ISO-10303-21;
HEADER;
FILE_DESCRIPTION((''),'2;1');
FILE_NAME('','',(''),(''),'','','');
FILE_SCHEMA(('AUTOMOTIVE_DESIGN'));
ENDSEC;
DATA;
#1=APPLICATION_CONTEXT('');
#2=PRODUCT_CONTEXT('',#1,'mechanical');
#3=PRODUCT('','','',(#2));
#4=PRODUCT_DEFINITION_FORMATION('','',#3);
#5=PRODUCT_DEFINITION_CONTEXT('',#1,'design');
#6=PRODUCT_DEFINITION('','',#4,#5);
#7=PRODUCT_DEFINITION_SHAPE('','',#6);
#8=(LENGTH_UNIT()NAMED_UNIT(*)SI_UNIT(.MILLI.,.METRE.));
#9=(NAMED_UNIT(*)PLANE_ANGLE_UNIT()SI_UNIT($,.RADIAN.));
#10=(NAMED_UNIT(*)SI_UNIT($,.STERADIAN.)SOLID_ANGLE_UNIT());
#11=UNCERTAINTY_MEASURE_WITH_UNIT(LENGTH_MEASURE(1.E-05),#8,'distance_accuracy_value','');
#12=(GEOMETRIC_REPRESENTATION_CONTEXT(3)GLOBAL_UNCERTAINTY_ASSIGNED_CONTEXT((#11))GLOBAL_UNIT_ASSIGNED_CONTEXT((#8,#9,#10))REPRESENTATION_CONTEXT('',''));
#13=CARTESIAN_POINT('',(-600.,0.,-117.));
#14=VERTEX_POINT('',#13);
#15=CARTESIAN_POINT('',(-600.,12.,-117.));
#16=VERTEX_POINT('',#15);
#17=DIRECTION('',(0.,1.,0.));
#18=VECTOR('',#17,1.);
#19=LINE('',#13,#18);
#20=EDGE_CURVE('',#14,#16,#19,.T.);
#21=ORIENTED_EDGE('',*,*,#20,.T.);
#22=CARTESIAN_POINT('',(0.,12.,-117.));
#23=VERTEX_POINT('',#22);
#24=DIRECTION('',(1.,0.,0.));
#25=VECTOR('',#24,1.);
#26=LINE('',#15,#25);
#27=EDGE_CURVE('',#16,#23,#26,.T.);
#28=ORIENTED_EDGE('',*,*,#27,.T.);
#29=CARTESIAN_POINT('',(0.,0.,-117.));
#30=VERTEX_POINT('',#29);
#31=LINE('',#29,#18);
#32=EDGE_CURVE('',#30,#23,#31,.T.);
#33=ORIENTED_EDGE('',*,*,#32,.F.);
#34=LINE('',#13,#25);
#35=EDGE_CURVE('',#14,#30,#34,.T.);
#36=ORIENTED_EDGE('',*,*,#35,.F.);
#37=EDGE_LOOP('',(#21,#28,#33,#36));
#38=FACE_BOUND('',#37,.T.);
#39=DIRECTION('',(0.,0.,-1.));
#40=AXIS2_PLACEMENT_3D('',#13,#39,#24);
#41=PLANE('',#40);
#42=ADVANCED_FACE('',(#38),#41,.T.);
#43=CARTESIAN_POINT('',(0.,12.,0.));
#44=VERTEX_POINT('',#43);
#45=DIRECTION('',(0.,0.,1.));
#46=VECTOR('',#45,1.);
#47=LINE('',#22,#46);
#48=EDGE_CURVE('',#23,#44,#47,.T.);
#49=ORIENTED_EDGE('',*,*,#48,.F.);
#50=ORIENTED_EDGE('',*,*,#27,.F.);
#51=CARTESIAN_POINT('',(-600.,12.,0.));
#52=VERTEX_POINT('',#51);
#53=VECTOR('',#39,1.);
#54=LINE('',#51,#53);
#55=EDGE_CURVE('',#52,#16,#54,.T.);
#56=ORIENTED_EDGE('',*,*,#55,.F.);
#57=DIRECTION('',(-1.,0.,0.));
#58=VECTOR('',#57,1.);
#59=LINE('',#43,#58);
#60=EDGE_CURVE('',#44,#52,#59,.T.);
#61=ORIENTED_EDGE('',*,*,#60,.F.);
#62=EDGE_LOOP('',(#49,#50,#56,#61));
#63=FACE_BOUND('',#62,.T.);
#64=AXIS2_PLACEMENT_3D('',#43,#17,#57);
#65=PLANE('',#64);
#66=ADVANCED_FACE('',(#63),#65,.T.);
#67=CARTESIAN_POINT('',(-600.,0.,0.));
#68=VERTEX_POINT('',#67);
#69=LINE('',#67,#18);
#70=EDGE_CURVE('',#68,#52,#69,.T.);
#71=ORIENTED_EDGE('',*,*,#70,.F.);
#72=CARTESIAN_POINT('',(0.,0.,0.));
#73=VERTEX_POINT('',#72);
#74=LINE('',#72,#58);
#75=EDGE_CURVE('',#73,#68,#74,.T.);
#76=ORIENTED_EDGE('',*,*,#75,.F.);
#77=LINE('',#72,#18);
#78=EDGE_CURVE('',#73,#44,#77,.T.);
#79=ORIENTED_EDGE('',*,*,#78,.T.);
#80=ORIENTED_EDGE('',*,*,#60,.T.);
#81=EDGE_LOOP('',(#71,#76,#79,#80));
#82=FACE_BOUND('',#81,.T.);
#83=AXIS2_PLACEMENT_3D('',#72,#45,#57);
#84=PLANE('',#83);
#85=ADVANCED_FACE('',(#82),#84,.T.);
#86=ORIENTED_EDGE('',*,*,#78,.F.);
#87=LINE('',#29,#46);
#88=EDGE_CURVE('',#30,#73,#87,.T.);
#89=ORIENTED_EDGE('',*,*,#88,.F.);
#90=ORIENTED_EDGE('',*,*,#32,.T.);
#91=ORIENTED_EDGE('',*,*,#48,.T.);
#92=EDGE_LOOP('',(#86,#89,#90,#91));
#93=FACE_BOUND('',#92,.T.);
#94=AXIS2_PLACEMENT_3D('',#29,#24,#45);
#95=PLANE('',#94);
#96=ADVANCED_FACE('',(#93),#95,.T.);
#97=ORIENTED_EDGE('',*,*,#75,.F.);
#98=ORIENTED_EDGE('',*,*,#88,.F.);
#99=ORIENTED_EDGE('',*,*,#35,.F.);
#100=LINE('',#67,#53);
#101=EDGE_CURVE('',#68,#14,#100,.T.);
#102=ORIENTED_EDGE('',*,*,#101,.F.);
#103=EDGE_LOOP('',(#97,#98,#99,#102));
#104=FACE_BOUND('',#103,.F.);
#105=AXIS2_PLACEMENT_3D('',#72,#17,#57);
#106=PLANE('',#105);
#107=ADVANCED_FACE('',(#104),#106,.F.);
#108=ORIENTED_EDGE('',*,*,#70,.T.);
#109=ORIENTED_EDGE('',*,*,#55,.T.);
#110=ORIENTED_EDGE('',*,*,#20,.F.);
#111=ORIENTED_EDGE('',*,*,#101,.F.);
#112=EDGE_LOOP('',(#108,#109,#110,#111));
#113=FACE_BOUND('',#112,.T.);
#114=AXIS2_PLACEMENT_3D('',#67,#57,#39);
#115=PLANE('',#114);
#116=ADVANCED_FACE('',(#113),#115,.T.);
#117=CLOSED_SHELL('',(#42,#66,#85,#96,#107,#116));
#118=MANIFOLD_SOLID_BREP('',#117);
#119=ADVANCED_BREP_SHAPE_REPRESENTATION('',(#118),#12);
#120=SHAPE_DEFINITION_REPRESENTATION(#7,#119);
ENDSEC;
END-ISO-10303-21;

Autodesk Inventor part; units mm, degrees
ref_plane "YZ Plane" through (0, 0, 0) normal (1, 0, 0) x (0, 1, 0)
ref_plane "XZ Plane" through (0, 0, 0) normal (0, 1, 0) x (-1, 0, 0)
ref_plane "XY Plane" through (0, 0, 0) normal (0, 0, 1) x (1, 0, 0)
sketch "Эскиз1" plane through (0, 0, 0) normal (0, 1, 0) x (-1, 0, 0)
  line L0 (0, 0) -> (600, 0)
  line L1 (600, 0) -> (600, -117)
  line L2 (600, -117) -> (0, -117)
  line L3 (0, -117) -> (0, 0)
extrude "Выдавливание1" add sketch "Эскиз1" along normal blind 12
properties part number "bottom"
